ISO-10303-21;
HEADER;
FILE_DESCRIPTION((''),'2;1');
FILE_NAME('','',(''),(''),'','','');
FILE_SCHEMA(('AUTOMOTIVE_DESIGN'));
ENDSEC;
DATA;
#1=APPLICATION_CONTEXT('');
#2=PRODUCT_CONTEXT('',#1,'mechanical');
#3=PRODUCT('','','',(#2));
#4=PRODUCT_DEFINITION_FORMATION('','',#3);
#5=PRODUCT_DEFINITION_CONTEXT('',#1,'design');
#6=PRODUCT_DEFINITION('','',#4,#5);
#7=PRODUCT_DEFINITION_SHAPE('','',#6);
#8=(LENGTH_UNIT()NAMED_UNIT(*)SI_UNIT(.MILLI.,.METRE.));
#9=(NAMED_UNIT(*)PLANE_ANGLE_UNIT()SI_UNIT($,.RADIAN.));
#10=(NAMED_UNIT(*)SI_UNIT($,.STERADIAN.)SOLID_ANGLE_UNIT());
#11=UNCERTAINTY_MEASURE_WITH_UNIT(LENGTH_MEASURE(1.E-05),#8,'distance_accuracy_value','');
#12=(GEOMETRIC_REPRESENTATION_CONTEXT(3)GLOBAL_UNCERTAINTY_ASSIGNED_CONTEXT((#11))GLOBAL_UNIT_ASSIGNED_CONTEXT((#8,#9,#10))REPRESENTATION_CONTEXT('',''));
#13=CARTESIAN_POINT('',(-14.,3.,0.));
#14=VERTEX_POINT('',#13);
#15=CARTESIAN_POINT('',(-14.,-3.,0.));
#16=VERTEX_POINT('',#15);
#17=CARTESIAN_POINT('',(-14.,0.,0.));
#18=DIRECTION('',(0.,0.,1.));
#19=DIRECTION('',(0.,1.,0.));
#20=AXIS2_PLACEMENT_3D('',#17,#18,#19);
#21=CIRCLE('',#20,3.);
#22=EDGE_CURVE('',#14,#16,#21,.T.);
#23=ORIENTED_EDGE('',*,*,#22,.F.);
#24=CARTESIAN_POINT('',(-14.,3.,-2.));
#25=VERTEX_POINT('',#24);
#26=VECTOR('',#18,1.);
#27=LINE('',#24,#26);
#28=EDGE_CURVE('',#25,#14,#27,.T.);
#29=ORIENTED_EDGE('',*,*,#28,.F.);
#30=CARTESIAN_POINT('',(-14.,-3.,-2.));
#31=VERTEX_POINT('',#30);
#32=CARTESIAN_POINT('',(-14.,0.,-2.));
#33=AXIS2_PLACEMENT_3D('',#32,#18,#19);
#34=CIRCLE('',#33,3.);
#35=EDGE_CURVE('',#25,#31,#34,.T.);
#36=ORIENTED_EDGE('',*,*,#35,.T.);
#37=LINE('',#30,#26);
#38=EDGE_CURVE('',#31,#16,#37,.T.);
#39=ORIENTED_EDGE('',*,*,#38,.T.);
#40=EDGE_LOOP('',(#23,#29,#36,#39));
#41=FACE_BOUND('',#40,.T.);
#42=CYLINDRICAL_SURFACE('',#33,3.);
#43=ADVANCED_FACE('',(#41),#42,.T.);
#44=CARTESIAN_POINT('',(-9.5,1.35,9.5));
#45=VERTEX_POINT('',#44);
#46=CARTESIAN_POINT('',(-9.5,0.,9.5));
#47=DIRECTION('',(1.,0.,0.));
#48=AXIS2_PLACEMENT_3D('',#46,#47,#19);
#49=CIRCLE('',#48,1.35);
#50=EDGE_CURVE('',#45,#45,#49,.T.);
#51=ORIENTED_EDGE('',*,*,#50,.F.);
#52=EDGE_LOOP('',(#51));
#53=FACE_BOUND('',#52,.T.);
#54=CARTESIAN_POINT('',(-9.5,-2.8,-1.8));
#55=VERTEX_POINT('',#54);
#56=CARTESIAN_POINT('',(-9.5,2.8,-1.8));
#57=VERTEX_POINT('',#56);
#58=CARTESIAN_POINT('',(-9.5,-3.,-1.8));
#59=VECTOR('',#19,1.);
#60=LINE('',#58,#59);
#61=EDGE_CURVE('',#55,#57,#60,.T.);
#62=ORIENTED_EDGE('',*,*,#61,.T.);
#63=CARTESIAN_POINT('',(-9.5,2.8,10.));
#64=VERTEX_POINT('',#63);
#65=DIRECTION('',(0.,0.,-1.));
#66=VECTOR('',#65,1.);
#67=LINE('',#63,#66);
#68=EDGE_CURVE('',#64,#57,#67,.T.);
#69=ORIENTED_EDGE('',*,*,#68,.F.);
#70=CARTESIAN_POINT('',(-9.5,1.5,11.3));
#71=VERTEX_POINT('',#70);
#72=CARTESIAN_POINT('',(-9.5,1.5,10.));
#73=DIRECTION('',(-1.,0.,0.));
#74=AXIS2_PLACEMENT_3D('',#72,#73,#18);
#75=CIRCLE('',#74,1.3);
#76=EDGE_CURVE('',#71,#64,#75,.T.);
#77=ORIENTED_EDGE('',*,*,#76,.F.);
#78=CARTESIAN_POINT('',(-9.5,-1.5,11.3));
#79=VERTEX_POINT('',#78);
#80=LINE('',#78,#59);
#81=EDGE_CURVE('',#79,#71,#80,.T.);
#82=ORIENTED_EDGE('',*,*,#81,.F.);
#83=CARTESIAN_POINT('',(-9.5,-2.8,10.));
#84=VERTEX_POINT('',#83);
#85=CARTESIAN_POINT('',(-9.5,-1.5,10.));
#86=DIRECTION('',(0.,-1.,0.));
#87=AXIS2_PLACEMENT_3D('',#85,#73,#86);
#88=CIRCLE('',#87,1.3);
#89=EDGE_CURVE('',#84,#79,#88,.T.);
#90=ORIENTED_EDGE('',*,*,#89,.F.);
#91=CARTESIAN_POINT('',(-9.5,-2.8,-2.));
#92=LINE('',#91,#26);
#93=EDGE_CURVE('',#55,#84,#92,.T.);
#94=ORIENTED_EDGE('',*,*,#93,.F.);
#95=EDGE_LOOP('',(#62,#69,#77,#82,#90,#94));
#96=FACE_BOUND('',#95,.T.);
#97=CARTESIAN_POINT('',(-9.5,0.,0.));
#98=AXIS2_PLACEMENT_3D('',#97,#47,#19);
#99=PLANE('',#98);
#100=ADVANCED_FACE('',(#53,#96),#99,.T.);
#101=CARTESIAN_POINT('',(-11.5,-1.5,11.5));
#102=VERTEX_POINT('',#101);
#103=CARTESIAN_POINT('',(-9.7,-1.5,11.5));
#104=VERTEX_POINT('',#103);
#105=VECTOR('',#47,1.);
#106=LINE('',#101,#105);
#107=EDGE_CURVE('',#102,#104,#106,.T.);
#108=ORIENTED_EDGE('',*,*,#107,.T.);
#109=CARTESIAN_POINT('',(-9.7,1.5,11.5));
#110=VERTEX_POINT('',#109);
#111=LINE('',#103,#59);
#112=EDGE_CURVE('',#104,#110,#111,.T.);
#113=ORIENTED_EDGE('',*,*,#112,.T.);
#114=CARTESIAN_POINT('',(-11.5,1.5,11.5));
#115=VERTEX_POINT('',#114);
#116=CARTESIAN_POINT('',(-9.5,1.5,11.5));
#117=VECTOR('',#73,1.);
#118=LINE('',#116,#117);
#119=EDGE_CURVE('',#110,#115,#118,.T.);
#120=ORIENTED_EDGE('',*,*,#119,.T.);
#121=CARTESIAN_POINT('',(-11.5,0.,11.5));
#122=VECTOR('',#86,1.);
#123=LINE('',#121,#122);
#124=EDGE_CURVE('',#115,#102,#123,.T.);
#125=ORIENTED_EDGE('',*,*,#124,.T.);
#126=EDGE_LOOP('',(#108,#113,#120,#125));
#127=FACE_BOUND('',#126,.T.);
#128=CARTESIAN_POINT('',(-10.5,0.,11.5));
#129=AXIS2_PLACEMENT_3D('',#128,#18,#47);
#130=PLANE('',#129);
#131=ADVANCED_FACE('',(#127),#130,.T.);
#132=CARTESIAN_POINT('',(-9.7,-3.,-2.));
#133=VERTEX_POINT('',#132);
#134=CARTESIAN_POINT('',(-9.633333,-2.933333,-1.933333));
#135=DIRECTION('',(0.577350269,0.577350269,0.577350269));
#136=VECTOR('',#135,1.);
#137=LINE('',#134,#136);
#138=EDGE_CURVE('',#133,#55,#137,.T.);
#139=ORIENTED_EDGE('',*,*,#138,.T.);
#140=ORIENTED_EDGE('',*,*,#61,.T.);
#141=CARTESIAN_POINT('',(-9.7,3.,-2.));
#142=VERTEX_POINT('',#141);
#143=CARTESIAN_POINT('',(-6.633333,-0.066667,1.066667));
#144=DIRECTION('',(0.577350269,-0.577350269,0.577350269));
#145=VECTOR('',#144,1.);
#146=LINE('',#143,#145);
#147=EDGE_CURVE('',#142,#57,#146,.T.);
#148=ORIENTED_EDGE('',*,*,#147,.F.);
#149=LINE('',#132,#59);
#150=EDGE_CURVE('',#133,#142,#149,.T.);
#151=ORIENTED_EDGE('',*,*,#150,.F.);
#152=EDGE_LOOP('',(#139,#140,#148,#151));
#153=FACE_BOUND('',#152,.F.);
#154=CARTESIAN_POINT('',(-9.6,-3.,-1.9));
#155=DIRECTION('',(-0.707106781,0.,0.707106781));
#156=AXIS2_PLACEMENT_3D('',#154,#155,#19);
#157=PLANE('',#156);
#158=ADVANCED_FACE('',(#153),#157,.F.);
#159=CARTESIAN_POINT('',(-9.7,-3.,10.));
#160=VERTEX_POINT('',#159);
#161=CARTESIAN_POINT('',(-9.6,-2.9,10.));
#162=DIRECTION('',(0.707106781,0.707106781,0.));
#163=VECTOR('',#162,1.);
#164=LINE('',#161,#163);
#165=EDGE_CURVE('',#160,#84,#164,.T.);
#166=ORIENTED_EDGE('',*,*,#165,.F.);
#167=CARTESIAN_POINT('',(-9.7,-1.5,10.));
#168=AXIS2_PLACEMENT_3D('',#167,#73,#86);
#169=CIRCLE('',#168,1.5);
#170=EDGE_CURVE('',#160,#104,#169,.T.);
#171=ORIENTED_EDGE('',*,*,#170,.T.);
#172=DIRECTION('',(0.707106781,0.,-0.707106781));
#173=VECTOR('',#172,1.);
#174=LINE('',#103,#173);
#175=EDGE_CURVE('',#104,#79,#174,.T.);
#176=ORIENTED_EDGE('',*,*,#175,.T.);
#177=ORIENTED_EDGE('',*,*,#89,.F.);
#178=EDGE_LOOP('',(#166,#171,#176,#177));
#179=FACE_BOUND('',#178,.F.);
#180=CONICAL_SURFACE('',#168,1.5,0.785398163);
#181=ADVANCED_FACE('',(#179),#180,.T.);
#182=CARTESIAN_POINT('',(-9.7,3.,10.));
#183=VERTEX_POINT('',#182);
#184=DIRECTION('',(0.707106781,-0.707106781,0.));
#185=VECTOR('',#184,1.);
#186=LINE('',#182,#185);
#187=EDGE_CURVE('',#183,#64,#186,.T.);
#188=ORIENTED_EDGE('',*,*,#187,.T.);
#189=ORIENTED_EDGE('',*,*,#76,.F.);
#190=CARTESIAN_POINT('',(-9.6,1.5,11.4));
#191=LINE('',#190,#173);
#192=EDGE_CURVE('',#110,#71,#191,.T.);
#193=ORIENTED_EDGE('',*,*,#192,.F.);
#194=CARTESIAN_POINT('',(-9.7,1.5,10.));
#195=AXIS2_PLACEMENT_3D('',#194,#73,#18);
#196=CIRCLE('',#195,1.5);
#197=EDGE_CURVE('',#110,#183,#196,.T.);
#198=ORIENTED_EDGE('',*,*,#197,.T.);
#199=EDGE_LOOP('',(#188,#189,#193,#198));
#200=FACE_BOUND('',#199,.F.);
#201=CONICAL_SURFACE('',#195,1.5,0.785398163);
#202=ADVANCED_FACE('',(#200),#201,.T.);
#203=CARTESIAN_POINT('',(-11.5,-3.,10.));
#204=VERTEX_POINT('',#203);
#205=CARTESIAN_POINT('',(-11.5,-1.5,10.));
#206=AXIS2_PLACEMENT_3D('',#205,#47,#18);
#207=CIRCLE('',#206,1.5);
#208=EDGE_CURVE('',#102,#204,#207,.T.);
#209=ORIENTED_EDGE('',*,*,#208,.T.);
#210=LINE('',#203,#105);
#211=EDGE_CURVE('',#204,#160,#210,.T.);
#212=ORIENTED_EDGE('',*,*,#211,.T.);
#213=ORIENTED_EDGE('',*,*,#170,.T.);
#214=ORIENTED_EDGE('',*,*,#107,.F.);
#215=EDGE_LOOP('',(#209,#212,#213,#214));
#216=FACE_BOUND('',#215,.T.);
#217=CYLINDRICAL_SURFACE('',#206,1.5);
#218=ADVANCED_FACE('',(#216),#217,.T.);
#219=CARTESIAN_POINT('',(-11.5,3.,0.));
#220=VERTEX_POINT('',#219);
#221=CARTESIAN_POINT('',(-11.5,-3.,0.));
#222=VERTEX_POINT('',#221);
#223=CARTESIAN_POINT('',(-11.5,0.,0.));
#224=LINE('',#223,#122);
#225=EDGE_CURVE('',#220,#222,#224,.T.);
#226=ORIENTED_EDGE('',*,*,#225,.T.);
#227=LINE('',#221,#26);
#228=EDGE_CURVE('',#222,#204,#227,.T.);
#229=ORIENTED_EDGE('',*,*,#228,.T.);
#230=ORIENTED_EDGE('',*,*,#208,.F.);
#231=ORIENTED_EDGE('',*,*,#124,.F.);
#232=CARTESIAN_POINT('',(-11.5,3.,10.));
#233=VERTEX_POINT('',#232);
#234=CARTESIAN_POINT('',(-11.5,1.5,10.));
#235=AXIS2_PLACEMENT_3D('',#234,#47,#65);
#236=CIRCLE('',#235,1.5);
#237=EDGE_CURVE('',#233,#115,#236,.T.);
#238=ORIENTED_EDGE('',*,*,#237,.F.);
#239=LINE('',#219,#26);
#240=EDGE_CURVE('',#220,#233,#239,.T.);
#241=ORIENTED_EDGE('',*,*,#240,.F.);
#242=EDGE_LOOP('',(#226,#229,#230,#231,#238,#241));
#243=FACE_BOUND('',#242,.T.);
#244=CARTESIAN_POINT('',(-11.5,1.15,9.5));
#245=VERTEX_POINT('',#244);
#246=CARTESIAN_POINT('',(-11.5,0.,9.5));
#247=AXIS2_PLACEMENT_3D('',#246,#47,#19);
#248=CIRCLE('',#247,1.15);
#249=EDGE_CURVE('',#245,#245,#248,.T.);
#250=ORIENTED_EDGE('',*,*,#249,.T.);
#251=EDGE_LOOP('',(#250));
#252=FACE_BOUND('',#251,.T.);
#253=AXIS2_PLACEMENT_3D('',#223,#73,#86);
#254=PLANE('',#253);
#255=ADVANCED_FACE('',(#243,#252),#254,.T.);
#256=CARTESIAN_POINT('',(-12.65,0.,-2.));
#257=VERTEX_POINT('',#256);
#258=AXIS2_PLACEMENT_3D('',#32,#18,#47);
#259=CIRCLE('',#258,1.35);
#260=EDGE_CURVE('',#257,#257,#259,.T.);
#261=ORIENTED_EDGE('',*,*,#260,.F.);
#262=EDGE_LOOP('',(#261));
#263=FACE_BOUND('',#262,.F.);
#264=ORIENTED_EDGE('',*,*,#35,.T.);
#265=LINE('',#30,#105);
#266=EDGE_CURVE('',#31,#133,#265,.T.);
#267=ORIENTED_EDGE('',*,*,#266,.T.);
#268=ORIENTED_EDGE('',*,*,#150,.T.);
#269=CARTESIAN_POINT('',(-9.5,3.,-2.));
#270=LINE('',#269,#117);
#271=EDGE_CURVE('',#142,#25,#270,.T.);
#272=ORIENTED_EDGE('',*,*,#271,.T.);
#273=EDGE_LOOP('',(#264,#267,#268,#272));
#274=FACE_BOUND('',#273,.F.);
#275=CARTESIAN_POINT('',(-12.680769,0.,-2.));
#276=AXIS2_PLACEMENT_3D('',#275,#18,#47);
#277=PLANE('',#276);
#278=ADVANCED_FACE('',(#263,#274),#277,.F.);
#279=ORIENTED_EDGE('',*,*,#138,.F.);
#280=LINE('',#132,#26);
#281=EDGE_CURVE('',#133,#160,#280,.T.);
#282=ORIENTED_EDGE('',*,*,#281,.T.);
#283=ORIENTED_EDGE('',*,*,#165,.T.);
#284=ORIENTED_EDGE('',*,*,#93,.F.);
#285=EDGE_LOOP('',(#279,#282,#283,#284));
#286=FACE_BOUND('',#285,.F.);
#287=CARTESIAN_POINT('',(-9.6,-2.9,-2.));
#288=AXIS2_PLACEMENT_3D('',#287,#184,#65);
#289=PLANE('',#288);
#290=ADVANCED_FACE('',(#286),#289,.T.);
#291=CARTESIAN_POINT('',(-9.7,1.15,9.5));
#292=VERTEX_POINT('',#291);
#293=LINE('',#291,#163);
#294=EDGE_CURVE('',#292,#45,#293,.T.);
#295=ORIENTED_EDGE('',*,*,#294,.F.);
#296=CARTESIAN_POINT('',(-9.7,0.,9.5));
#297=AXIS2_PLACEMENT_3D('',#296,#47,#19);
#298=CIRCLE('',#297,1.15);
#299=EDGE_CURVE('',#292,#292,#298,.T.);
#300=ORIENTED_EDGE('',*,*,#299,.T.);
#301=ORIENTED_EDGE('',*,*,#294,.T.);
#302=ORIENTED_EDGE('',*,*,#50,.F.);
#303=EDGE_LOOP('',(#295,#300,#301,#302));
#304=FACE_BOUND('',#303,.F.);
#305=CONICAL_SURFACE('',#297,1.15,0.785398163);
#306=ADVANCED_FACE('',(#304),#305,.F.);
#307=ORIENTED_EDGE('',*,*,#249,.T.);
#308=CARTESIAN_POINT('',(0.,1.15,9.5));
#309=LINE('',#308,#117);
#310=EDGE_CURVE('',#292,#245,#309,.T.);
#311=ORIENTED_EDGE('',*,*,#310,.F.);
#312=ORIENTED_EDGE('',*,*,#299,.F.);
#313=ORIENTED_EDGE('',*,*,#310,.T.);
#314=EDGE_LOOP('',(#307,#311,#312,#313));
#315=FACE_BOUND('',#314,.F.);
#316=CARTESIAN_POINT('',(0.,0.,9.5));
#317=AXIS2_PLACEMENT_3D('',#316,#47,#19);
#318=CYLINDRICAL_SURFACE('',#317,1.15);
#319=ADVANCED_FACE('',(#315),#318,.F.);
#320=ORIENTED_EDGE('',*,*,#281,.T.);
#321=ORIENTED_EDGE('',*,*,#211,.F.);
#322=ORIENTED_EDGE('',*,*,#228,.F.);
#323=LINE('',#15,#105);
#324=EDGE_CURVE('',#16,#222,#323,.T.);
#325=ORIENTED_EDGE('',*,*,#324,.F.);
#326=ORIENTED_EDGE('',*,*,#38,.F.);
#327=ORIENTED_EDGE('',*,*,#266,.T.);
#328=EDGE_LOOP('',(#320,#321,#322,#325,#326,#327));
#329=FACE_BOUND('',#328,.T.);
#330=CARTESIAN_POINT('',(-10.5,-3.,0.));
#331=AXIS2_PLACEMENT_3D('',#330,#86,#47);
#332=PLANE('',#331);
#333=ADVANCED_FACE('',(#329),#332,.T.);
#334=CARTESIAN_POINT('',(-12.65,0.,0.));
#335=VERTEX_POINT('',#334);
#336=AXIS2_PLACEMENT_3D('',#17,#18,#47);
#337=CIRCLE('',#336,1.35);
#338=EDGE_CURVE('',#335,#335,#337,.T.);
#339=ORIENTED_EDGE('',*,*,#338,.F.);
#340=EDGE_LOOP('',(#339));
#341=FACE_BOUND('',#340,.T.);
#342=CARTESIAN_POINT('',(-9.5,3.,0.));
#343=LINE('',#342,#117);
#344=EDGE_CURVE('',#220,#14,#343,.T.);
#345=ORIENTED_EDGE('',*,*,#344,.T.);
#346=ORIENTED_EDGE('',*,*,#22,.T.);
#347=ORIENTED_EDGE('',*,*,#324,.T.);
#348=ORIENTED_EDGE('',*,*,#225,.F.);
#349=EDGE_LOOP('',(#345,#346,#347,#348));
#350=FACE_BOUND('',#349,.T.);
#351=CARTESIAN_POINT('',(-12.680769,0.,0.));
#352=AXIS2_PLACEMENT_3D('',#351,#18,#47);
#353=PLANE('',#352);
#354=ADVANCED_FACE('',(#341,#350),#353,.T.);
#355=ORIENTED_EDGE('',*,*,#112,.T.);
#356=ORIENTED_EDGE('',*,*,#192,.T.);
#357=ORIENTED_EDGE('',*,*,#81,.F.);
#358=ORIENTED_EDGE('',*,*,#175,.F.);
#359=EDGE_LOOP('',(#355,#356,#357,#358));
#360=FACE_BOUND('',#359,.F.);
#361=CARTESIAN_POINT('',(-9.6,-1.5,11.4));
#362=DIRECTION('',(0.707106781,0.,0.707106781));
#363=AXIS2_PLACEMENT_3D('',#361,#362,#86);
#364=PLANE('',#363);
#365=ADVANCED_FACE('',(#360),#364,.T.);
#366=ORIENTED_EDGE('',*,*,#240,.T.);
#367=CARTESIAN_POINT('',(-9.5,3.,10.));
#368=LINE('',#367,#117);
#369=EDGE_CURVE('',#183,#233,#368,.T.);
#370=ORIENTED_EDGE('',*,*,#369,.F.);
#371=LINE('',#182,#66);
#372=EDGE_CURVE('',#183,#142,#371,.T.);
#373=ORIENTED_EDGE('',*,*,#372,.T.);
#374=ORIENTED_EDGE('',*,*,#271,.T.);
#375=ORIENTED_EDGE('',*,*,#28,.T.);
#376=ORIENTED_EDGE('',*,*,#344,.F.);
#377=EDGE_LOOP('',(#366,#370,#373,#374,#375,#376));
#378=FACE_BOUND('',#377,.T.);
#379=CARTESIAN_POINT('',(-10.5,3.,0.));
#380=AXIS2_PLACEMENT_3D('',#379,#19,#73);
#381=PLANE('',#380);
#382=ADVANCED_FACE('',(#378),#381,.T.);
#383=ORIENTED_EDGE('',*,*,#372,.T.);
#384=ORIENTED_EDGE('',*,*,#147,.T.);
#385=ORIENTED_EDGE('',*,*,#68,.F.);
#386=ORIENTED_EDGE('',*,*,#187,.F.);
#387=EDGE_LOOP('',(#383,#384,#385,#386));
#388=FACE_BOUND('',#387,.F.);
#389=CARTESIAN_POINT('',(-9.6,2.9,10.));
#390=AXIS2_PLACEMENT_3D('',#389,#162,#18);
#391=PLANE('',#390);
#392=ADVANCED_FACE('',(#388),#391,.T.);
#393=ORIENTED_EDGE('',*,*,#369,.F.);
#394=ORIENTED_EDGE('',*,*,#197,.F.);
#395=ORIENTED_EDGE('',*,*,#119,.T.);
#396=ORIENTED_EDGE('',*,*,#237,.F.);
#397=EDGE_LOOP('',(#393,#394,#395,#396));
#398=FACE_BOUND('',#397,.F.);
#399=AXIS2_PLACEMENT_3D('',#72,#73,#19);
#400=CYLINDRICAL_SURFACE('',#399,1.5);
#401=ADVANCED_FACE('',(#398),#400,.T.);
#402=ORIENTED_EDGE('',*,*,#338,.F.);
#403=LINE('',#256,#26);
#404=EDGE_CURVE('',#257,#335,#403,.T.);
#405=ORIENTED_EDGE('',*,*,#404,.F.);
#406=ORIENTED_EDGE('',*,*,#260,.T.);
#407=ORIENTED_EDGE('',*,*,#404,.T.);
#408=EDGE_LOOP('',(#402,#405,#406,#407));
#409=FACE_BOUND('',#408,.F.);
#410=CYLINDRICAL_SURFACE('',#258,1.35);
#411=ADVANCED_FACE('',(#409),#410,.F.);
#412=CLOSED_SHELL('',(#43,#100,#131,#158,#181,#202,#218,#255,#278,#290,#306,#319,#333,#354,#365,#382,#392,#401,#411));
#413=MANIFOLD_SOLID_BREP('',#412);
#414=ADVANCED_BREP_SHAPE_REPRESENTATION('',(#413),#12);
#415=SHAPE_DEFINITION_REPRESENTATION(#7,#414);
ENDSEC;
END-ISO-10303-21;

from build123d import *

# Parameters (mm, degrees)
F0_R     = 1.35
F1_W     = 2
F1_H     = 6
F5_R     = 1.15
F6_DEPTH = 17.001
F7_R     = 1.5
F8_SIZE  = 0.2


with BuildPart() as f3:
    # F3: sweep along a path in F2
    with BuildLine(Plane.XZ) as f3_path:
        Line((0, -2), (0, 0))
    # F0 (on Top) → F3 (sweep)
    with BuildSketch(Plane.XY):
        with BuildLine():
            Line((-9.5, -3), (-9.5, 3))
            Line((-9.5, 3), (-14, 3))
            ThreePointArc((-14, 3), (-17, 0), (-14, -3))
            Line((-14, -3), (-9.5, -3))
        make_face()
        with Locations((-14, 0)):
            Circle(F0_R, mode=Mode.SUBTRACT)
    sweep(path=f3_path.line)

    # F4: sweep along a path in F2
    with BuildLine(Plane.XZ) as f4_path:
        Line((0, 0), (0, 11.5))
    # F1 (on Top) → F4 (sweep)
    with BuildSketch(Plane.XY):
        with Locations((-10.5, 0)):
            Rectangle(F1_W, F1_H)
    sweep(path=f4_path.line)

    # F5 (on Right) → F6 (cut, through all)
    with BuildSketch(Plane.YZ):
        with Locations((0, 9.5)):
            Circle(F5_R)
    extrude(amount=-F6_DEPTH, mode=Mode.SUBTRACT)

    # F7
    f7_edges = [f3.edges().sort_by_distance(p)[0] for p in [
        (-10.5, 3, 11.5),
        (-10.5, -3, 11.5),
    ]]
    fillet(f7_edges, radius=F7_R)

    # F8
    f8_edges = [f3.edges().sort_by_distance(p)[0] for p in [
        (-9.5, -3, 4),
        (-9.5, -2.56066, 11.06066),
        (-9.5, 0, -2),
        (-9.5, 0, 11.5),
        (-9.5, 3, 4),
        (-9.5, 2.56066, 11.06066),
        (-9.5, -1.15, 9.5),
    ]]
    chamfer(f8_edges, length=F8_SIZE)


solid = f3.part
